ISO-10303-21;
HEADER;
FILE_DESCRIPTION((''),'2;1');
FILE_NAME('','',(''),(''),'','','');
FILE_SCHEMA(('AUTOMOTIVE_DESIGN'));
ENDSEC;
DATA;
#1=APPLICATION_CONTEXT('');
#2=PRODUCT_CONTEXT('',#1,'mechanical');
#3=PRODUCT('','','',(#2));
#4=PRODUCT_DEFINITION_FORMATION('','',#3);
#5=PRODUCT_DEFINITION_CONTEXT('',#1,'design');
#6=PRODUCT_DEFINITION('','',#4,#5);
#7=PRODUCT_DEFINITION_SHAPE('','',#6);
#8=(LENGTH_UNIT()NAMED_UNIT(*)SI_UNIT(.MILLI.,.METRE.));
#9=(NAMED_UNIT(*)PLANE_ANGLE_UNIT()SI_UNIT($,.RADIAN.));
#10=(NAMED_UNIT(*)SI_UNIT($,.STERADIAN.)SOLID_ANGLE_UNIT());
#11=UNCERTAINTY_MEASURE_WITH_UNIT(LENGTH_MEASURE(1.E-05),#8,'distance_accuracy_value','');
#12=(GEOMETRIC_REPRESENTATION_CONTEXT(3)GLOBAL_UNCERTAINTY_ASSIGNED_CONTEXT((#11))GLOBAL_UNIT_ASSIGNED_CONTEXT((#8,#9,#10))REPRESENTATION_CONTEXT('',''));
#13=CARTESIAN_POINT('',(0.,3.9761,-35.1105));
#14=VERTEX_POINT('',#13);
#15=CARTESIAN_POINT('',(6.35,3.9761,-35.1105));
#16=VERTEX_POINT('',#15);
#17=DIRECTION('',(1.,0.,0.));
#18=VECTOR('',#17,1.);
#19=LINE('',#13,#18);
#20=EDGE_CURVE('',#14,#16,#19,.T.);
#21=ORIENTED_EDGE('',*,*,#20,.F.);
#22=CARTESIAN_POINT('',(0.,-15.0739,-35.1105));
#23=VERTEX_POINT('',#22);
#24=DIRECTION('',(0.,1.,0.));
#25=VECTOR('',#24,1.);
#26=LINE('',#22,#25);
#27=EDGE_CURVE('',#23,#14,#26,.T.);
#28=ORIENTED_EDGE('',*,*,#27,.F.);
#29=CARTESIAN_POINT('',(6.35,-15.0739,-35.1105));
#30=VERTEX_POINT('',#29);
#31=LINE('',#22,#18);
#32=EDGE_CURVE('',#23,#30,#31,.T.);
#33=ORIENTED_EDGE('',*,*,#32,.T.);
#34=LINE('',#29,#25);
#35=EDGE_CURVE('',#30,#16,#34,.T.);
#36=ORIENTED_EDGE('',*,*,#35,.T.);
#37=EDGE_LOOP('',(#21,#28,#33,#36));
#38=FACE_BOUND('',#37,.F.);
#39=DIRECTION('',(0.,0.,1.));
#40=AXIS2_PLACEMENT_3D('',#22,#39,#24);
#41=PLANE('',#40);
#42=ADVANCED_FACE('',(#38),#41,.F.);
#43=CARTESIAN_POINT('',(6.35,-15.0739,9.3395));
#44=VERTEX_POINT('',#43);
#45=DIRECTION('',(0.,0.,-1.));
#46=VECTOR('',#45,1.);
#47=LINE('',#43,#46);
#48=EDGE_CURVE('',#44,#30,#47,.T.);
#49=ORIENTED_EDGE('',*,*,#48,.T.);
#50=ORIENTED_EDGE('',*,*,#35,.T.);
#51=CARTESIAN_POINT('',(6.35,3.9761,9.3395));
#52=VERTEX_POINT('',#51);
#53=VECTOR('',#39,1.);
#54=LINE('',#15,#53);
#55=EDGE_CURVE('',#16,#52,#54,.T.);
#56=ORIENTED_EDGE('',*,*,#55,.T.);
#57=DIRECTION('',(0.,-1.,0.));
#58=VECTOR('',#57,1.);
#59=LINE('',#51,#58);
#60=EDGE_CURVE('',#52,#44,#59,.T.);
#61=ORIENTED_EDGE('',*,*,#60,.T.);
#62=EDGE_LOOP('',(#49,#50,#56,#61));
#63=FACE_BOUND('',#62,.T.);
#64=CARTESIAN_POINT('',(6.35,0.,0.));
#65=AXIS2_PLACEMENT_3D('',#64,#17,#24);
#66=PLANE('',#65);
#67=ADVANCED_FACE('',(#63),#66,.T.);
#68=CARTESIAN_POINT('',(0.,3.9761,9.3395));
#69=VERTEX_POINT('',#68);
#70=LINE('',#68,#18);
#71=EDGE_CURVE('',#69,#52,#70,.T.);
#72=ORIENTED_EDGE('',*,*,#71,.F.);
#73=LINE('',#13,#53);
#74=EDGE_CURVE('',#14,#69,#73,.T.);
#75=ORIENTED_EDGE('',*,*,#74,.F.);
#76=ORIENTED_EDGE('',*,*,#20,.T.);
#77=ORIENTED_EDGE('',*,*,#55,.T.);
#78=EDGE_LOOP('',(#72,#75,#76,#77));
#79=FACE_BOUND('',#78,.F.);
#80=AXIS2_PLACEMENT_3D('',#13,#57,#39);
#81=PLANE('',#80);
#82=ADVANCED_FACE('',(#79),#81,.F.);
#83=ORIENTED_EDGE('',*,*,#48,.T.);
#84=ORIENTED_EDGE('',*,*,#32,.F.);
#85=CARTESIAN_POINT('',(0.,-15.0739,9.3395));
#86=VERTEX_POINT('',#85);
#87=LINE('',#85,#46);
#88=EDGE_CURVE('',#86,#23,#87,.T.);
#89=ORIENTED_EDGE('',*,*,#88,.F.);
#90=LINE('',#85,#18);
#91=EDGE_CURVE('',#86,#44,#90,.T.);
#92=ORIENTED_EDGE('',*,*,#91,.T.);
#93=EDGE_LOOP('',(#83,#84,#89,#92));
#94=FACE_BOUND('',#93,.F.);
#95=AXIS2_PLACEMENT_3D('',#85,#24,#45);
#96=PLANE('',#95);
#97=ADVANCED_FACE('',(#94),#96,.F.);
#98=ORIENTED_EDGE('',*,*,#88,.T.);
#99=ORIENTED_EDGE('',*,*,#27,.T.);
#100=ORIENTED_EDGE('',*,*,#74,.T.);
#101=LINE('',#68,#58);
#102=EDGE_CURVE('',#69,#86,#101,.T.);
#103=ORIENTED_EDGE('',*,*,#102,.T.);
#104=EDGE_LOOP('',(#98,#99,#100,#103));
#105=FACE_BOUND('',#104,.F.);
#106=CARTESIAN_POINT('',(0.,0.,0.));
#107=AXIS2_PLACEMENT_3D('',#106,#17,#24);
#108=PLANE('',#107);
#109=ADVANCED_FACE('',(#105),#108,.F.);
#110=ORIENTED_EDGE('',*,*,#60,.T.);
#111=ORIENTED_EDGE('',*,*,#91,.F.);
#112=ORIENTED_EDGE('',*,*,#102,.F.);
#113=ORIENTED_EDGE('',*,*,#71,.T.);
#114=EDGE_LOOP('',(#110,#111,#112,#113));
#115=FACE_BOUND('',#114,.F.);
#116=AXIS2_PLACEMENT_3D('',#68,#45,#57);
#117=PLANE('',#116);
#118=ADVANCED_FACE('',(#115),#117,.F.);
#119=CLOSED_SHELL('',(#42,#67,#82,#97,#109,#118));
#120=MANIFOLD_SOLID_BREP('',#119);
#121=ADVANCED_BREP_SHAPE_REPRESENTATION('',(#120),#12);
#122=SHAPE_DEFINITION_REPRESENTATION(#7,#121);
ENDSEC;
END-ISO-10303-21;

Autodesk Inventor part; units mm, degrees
ref_plane "YZ Plane" through (0, 0, 0) normal (1, 0, 0) x (0, 1, 0)
ref_plane "XZ Plane" through (0, 0, 0) normal (0, 1, 0) x (-1, 0, 0)
ref_plane "XY Plane" through (0, 0, 0) normal (0, 0, 1) x (1, 0, 0)
sketch "Sketch1" plane through (0, 0, 0) normal (1, 0, 0) x (0, 1, 0)
  line L0 (3.9761, 9.3395) -> (-15.0739, 9.3395)
  line L1 (-15.0739, 9.3395) -> (-15.0739, -35.1105)
  line L2 (-15.0739, -35.1105) -> (3.9761, -35.1105)
  line L3 (3.9761, -35.1105) -> (3.9761, 9.3395)
  point P0 (0, 0)
  dimension "d0" = 19.05
  dimension "d1" = 44.45
extrude "Extrusion1" add sketch "Sketch1" along normal blind 6.35
